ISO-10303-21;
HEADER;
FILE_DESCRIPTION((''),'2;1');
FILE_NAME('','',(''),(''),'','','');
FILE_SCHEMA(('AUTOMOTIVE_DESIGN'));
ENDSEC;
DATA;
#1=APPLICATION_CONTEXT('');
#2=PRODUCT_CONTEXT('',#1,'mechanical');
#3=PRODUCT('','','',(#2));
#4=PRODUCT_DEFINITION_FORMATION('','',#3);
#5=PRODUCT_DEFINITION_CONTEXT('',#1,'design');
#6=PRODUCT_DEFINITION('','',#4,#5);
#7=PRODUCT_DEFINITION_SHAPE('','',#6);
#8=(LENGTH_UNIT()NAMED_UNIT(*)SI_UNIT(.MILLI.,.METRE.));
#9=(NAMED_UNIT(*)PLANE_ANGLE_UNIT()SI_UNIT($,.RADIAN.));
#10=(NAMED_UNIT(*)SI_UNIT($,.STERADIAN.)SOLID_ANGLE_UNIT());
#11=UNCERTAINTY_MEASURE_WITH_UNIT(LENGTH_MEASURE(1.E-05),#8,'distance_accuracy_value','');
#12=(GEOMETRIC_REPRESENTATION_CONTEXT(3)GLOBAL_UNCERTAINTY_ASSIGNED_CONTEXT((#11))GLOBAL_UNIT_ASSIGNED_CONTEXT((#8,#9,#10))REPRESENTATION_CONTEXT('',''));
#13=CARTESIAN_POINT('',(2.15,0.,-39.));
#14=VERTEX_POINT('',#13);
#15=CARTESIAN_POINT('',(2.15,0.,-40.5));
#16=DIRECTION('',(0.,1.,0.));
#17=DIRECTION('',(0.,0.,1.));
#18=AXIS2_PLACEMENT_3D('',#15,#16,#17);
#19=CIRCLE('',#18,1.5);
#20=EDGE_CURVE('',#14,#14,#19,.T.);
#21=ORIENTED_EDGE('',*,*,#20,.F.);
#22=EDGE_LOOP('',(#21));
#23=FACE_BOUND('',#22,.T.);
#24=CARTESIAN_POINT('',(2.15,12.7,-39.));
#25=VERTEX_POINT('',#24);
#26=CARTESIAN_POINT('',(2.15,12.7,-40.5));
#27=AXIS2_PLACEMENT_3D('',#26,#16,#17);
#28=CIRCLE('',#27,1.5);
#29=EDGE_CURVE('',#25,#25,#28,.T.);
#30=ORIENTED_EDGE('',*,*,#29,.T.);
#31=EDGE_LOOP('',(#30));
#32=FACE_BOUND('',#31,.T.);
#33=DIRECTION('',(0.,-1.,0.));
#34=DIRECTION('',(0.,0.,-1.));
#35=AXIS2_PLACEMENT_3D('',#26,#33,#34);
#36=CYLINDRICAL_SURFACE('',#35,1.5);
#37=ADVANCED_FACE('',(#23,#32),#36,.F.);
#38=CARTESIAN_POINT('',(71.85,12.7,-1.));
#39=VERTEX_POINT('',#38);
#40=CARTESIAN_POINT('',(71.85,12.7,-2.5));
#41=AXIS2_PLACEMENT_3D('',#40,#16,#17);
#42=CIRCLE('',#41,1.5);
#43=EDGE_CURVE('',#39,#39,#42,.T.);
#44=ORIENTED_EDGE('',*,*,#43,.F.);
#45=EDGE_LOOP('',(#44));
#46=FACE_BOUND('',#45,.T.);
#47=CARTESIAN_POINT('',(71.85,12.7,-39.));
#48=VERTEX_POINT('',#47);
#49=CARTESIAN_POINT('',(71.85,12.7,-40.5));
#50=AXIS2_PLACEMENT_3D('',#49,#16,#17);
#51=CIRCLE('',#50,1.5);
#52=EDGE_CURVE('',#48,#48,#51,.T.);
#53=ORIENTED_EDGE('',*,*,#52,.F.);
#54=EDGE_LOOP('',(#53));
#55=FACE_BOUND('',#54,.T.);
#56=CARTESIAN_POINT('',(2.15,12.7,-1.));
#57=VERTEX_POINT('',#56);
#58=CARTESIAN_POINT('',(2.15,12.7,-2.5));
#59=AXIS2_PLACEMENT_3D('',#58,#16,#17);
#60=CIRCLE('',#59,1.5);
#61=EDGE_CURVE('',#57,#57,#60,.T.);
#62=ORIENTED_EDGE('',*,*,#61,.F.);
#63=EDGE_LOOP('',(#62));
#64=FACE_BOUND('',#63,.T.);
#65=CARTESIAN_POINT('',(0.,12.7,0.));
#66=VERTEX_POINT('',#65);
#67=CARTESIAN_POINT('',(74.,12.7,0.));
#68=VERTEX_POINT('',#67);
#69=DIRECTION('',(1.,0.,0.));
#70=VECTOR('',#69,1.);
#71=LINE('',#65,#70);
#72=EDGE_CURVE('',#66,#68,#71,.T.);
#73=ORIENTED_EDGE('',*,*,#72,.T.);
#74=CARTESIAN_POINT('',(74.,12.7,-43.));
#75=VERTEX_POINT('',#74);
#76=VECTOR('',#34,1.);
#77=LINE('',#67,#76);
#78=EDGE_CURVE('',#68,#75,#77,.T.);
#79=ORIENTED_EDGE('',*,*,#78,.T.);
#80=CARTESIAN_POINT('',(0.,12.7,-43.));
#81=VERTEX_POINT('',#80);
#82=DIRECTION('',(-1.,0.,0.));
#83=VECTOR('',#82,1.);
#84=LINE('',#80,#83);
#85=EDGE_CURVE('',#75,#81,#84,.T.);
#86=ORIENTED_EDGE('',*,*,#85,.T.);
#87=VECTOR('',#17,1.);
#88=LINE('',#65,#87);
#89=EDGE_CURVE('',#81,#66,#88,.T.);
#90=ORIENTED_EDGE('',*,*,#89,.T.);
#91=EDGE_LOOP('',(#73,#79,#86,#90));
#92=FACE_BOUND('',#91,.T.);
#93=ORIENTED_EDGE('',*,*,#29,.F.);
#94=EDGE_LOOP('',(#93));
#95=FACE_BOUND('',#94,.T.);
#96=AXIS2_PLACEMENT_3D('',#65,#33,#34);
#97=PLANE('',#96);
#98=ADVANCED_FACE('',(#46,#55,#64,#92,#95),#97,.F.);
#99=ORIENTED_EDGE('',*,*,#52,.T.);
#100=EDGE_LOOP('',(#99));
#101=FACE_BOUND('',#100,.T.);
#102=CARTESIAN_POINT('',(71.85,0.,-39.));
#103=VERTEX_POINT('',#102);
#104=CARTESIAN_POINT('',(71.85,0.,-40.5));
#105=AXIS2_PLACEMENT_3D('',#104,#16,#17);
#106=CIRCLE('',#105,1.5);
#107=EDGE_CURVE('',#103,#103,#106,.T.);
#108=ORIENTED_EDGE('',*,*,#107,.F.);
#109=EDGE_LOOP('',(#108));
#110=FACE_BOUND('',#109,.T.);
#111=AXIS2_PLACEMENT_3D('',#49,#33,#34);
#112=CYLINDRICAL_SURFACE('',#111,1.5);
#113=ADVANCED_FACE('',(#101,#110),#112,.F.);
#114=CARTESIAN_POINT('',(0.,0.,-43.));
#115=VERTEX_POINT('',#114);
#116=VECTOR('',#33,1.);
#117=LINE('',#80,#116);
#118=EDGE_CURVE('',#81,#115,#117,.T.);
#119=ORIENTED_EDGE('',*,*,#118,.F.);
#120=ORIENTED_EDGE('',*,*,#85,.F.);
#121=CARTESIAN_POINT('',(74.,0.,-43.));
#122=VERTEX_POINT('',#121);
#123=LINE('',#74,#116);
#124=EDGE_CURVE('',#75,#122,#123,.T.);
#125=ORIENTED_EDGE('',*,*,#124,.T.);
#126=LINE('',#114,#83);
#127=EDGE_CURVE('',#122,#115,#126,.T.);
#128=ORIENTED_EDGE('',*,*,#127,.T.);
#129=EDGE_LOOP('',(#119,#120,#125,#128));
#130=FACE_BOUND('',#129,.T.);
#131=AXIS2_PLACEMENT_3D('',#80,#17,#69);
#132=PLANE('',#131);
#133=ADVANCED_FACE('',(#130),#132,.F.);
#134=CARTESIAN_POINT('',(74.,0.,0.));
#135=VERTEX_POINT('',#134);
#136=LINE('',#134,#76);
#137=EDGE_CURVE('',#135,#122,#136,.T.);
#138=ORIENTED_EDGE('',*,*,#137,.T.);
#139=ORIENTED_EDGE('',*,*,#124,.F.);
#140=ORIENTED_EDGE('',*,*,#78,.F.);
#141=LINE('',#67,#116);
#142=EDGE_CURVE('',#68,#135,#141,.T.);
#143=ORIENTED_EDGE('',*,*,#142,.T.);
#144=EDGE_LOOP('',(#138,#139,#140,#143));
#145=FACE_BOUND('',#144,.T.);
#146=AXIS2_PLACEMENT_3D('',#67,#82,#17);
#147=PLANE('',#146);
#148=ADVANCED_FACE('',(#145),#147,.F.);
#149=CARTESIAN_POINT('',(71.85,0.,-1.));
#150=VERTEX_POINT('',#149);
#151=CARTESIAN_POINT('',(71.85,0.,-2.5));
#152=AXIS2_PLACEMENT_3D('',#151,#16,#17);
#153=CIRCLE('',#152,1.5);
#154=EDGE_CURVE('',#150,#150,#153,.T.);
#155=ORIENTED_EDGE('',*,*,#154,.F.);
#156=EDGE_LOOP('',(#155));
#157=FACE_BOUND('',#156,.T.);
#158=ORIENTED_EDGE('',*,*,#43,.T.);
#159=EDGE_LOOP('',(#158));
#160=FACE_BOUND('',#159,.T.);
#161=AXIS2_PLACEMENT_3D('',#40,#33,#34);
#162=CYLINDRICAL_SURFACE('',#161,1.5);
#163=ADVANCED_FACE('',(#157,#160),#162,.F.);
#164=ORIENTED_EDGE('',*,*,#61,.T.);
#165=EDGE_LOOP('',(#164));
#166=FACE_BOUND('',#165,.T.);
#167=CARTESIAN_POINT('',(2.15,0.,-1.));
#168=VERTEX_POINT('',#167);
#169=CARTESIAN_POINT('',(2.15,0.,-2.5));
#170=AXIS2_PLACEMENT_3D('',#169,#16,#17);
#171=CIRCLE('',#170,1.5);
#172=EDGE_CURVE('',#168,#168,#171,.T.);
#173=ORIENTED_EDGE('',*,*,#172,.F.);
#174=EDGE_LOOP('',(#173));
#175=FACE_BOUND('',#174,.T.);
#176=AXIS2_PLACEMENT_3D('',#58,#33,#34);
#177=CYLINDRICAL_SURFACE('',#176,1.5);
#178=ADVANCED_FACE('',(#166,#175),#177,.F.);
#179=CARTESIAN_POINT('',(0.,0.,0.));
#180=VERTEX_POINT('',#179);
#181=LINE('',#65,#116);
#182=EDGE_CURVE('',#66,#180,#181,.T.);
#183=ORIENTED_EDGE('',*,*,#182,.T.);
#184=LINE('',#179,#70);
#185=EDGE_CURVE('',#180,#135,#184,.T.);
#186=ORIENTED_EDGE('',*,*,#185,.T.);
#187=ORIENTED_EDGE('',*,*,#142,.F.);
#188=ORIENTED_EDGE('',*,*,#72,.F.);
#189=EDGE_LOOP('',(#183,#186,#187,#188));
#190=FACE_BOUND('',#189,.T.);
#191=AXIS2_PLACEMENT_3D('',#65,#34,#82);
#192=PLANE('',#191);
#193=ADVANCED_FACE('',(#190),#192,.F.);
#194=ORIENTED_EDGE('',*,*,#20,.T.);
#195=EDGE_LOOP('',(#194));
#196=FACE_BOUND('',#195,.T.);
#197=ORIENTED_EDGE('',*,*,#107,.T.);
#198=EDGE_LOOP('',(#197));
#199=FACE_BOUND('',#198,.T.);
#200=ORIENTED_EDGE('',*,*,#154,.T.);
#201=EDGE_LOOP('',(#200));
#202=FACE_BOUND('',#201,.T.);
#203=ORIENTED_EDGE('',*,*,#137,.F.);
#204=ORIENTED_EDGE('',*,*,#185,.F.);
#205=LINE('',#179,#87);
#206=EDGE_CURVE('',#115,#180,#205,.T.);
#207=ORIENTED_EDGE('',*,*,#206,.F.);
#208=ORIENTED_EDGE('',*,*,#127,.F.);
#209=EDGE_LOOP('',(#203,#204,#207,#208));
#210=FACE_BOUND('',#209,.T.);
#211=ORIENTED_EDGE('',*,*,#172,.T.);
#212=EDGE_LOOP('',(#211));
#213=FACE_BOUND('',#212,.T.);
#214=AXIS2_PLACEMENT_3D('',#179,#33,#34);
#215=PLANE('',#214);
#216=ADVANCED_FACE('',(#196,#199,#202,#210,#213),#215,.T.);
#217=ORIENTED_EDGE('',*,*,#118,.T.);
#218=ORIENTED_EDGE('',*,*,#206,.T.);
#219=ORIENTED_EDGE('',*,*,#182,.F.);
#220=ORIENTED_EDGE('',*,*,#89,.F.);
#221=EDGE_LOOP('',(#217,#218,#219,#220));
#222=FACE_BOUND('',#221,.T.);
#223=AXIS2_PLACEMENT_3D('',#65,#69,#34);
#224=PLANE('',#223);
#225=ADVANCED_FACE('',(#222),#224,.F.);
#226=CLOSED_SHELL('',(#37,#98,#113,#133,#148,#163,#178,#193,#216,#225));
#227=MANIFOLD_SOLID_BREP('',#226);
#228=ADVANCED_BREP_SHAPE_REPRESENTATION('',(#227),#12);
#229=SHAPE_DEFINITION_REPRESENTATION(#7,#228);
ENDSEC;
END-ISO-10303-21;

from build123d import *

# Parameters (mm, degrees)
SKETCH1_W           = 74
SKETCH1_H           = 43
SKETCH1_R           = 1.5
BOSS_EXTRUDE1_DEPTH = 12.7


with BuildPart() as part:
    # Sketch1 → Boss-Extrude1 (new body)
    with BuildSketch(Plane(origin=(0, 0, 0), x_dir=(1, 0, 0), z_dir=(0, 1, 0))):
        with Locations((37, 21.5)):
            Rectangle(SKETCH1_W, SKETCH1_H)
        with Locations(Location((2.15, 40.5, 0), (0, 0, 270))):
            Circle(SKETCH1_R, mode=Mode.SUBTRACT)
        with Locations(Location((71.85, 40.5, 0), (0, 0, 270))):
            Circle(SKETCH1_R, mode=Mode.SUBTRACT)
        with Locations(Location((71.85, 2.5, 0), (0, 0, 270))):
            Circle(SKETCH1_R, mode=Mode.SUBTRACT)
        with Locations(Location((2.15, 2.5, 0), (0, 0, 270))):
            Circle(SKETCH1_R, mode=Mode.SUBTRACT)
    extrude(amount=BOSS_EXTRUDE1_DEPTH)


solid = part.part
